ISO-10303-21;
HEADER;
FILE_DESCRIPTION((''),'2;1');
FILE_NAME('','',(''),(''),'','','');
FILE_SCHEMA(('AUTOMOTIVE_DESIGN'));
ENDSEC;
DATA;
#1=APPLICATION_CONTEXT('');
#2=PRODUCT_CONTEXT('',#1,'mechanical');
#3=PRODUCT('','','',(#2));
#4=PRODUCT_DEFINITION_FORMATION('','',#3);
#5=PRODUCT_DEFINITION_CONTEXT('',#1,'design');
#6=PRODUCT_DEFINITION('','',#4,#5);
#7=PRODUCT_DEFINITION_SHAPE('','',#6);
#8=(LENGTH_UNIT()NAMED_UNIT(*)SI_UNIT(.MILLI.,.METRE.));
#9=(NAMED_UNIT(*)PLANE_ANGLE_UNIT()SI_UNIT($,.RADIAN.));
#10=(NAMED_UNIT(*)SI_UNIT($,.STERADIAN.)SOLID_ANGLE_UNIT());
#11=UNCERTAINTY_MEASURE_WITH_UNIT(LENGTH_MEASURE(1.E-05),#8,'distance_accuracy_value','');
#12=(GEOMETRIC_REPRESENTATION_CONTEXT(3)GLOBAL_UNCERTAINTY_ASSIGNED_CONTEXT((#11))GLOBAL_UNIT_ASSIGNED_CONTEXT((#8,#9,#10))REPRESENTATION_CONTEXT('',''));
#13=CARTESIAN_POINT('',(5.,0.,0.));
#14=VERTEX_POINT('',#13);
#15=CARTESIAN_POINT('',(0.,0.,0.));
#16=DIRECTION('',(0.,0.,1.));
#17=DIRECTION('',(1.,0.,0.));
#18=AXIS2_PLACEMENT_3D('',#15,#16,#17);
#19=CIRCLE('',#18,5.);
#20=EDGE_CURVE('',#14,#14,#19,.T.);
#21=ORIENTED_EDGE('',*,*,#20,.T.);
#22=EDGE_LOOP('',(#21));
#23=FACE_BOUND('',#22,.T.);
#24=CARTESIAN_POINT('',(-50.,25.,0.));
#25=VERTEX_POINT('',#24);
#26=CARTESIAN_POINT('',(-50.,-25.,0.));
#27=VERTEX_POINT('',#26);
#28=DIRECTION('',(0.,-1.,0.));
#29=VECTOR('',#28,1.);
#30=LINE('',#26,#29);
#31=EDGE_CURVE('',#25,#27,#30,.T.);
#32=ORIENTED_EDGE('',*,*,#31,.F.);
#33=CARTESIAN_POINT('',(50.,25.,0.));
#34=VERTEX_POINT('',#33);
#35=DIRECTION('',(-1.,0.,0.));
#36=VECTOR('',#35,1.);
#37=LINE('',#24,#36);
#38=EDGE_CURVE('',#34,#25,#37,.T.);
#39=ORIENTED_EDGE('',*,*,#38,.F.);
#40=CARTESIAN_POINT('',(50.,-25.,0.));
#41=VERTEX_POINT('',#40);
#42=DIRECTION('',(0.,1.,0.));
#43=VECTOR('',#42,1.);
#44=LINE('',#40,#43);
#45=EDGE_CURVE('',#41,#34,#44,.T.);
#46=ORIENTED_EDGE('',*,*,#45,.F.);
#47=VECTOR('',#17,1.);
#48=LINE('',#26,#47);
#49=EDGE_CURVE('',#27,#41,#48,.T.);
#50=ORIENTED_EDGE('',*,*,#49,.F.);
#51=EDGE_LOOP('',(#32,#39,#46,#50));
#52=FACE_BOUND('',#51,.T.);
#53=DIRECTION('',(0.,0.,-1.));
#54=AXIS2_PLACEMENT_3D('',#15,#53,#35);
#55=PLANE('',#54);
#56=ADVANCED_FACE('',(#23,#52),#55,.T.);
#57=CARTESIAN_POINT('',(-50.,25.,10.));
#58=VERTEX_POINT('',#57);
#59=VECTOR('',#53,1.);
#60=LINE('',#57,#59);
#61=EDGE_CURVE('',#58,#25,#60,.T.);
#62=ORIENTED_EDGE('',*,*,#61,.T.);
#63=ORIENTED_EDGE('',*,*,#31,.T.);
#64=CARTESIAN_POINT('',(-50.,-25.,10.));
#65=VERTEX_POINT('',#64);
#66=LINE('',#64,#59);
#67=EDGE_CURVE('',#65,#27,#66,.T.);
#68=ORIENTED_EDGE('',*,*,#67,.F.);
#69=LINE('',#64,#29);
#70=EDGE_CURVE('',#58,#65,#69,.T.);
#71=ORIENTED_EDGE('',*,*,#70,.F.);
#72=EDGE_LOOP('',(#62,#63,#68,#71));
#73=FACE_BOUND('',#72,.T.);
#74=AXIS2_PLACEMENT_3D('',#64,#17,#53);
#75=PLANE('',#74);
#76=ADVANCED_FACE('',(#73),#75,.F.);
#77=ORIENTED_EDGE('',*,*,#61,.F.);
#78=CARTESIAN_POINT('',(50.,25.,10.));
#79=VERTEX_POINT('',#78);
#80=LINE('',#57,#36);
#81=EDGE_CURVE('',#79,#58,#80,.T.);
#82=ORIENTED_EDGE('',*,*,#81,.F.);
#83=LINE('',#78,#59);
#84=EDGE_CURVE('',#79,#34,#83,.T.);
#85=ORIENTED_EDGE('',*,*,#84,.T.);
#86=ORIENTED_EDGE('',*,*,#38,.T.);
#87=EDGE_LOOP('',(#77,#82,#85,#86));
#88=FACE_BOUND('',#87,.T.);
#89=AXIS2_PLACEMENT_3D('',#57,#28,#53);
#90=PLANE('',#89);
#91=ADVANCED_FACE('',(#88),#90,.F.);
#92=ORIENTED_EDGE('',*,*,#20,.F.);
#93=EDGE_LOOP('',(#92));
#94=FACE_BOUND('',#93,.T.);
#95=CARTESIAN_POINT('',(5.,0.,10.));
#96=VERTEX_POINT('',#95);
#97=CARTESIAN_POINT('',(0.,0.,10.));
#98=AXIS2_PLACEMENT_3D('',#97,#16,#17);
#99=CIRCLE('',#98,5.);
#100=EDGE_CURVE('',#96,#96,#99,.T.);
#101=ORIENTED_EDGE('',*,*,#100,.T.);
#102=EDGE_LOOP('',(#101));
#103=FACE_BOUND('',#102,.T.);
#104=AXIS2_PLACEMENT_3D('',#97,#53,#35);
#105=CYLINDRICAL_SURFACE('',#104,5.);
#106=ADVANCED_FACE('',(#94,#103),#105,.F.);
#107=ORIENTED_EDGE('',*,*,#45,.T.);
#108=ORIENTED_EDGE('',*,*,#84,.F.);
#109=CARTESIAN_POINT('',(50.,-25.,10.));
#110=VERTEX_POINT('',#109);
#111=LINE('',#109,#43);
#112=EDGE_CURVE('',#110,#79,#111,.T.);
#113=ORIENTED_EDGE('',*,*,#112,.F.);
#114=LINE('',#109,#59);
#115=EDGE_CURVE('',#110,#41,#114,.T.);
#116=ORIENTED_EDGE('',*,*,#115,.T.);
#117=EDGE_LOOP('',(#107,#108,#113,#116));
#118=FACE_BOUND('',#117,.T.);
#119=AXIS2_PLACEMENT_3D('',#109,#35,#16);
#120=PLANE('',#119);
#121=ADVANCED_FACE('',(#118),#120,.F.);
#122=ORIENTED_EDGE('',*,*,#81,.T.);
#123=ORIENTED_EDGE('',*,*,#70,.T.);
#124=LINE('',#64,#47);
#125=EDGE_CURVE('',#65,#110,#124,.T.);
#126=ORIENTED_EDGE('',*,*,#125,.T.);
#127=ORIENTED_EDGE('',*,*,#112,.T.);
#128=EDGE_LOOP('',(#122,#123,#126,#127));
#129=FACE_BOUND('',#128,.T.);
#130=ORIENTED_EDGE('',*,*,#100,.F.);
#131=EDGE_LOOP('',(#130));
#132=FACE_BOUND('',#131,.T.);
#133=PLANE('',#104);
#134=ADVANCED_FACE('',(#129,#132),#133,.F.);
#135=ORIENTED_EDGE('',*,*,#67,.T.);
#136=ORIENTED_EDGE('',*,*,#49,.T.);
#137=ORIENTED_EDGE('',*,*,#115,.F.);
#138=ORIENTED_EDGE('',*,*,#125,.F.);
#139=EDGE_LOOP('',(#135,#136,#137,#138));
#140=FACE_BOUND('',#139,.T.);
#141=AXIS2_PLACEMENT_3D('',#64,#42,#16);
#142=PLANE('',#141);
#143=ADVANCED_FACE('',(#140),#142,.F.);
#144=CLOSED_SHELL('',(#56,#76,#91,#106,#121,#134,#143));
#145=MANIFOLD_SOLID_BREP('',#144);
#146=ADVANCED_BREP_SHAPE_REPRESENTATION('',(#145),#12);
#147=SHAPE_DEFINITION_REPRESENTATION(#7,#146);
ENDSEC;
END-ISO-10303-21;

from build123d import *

# Parameters (mm, degrees)
SKETCH_1_W      = 100
SKETCH_1_H      = 50
SKETCH_1_R      = 5
EXTRUDE_1_DEPTH = 10


with BuildPart() as part:
    # 草图1 → 凸台-拉伸1 (new body)
    with BuildSketch(Plane.XY):
        Rectangle(SKETCH_1_W, SKETCH_1_H)
        Circle(SKETCH_1_R, mode=Mode.SUBTRACT)
    extrude(amount=EXTRUDE_1_DEPTH)


solid = part.part
